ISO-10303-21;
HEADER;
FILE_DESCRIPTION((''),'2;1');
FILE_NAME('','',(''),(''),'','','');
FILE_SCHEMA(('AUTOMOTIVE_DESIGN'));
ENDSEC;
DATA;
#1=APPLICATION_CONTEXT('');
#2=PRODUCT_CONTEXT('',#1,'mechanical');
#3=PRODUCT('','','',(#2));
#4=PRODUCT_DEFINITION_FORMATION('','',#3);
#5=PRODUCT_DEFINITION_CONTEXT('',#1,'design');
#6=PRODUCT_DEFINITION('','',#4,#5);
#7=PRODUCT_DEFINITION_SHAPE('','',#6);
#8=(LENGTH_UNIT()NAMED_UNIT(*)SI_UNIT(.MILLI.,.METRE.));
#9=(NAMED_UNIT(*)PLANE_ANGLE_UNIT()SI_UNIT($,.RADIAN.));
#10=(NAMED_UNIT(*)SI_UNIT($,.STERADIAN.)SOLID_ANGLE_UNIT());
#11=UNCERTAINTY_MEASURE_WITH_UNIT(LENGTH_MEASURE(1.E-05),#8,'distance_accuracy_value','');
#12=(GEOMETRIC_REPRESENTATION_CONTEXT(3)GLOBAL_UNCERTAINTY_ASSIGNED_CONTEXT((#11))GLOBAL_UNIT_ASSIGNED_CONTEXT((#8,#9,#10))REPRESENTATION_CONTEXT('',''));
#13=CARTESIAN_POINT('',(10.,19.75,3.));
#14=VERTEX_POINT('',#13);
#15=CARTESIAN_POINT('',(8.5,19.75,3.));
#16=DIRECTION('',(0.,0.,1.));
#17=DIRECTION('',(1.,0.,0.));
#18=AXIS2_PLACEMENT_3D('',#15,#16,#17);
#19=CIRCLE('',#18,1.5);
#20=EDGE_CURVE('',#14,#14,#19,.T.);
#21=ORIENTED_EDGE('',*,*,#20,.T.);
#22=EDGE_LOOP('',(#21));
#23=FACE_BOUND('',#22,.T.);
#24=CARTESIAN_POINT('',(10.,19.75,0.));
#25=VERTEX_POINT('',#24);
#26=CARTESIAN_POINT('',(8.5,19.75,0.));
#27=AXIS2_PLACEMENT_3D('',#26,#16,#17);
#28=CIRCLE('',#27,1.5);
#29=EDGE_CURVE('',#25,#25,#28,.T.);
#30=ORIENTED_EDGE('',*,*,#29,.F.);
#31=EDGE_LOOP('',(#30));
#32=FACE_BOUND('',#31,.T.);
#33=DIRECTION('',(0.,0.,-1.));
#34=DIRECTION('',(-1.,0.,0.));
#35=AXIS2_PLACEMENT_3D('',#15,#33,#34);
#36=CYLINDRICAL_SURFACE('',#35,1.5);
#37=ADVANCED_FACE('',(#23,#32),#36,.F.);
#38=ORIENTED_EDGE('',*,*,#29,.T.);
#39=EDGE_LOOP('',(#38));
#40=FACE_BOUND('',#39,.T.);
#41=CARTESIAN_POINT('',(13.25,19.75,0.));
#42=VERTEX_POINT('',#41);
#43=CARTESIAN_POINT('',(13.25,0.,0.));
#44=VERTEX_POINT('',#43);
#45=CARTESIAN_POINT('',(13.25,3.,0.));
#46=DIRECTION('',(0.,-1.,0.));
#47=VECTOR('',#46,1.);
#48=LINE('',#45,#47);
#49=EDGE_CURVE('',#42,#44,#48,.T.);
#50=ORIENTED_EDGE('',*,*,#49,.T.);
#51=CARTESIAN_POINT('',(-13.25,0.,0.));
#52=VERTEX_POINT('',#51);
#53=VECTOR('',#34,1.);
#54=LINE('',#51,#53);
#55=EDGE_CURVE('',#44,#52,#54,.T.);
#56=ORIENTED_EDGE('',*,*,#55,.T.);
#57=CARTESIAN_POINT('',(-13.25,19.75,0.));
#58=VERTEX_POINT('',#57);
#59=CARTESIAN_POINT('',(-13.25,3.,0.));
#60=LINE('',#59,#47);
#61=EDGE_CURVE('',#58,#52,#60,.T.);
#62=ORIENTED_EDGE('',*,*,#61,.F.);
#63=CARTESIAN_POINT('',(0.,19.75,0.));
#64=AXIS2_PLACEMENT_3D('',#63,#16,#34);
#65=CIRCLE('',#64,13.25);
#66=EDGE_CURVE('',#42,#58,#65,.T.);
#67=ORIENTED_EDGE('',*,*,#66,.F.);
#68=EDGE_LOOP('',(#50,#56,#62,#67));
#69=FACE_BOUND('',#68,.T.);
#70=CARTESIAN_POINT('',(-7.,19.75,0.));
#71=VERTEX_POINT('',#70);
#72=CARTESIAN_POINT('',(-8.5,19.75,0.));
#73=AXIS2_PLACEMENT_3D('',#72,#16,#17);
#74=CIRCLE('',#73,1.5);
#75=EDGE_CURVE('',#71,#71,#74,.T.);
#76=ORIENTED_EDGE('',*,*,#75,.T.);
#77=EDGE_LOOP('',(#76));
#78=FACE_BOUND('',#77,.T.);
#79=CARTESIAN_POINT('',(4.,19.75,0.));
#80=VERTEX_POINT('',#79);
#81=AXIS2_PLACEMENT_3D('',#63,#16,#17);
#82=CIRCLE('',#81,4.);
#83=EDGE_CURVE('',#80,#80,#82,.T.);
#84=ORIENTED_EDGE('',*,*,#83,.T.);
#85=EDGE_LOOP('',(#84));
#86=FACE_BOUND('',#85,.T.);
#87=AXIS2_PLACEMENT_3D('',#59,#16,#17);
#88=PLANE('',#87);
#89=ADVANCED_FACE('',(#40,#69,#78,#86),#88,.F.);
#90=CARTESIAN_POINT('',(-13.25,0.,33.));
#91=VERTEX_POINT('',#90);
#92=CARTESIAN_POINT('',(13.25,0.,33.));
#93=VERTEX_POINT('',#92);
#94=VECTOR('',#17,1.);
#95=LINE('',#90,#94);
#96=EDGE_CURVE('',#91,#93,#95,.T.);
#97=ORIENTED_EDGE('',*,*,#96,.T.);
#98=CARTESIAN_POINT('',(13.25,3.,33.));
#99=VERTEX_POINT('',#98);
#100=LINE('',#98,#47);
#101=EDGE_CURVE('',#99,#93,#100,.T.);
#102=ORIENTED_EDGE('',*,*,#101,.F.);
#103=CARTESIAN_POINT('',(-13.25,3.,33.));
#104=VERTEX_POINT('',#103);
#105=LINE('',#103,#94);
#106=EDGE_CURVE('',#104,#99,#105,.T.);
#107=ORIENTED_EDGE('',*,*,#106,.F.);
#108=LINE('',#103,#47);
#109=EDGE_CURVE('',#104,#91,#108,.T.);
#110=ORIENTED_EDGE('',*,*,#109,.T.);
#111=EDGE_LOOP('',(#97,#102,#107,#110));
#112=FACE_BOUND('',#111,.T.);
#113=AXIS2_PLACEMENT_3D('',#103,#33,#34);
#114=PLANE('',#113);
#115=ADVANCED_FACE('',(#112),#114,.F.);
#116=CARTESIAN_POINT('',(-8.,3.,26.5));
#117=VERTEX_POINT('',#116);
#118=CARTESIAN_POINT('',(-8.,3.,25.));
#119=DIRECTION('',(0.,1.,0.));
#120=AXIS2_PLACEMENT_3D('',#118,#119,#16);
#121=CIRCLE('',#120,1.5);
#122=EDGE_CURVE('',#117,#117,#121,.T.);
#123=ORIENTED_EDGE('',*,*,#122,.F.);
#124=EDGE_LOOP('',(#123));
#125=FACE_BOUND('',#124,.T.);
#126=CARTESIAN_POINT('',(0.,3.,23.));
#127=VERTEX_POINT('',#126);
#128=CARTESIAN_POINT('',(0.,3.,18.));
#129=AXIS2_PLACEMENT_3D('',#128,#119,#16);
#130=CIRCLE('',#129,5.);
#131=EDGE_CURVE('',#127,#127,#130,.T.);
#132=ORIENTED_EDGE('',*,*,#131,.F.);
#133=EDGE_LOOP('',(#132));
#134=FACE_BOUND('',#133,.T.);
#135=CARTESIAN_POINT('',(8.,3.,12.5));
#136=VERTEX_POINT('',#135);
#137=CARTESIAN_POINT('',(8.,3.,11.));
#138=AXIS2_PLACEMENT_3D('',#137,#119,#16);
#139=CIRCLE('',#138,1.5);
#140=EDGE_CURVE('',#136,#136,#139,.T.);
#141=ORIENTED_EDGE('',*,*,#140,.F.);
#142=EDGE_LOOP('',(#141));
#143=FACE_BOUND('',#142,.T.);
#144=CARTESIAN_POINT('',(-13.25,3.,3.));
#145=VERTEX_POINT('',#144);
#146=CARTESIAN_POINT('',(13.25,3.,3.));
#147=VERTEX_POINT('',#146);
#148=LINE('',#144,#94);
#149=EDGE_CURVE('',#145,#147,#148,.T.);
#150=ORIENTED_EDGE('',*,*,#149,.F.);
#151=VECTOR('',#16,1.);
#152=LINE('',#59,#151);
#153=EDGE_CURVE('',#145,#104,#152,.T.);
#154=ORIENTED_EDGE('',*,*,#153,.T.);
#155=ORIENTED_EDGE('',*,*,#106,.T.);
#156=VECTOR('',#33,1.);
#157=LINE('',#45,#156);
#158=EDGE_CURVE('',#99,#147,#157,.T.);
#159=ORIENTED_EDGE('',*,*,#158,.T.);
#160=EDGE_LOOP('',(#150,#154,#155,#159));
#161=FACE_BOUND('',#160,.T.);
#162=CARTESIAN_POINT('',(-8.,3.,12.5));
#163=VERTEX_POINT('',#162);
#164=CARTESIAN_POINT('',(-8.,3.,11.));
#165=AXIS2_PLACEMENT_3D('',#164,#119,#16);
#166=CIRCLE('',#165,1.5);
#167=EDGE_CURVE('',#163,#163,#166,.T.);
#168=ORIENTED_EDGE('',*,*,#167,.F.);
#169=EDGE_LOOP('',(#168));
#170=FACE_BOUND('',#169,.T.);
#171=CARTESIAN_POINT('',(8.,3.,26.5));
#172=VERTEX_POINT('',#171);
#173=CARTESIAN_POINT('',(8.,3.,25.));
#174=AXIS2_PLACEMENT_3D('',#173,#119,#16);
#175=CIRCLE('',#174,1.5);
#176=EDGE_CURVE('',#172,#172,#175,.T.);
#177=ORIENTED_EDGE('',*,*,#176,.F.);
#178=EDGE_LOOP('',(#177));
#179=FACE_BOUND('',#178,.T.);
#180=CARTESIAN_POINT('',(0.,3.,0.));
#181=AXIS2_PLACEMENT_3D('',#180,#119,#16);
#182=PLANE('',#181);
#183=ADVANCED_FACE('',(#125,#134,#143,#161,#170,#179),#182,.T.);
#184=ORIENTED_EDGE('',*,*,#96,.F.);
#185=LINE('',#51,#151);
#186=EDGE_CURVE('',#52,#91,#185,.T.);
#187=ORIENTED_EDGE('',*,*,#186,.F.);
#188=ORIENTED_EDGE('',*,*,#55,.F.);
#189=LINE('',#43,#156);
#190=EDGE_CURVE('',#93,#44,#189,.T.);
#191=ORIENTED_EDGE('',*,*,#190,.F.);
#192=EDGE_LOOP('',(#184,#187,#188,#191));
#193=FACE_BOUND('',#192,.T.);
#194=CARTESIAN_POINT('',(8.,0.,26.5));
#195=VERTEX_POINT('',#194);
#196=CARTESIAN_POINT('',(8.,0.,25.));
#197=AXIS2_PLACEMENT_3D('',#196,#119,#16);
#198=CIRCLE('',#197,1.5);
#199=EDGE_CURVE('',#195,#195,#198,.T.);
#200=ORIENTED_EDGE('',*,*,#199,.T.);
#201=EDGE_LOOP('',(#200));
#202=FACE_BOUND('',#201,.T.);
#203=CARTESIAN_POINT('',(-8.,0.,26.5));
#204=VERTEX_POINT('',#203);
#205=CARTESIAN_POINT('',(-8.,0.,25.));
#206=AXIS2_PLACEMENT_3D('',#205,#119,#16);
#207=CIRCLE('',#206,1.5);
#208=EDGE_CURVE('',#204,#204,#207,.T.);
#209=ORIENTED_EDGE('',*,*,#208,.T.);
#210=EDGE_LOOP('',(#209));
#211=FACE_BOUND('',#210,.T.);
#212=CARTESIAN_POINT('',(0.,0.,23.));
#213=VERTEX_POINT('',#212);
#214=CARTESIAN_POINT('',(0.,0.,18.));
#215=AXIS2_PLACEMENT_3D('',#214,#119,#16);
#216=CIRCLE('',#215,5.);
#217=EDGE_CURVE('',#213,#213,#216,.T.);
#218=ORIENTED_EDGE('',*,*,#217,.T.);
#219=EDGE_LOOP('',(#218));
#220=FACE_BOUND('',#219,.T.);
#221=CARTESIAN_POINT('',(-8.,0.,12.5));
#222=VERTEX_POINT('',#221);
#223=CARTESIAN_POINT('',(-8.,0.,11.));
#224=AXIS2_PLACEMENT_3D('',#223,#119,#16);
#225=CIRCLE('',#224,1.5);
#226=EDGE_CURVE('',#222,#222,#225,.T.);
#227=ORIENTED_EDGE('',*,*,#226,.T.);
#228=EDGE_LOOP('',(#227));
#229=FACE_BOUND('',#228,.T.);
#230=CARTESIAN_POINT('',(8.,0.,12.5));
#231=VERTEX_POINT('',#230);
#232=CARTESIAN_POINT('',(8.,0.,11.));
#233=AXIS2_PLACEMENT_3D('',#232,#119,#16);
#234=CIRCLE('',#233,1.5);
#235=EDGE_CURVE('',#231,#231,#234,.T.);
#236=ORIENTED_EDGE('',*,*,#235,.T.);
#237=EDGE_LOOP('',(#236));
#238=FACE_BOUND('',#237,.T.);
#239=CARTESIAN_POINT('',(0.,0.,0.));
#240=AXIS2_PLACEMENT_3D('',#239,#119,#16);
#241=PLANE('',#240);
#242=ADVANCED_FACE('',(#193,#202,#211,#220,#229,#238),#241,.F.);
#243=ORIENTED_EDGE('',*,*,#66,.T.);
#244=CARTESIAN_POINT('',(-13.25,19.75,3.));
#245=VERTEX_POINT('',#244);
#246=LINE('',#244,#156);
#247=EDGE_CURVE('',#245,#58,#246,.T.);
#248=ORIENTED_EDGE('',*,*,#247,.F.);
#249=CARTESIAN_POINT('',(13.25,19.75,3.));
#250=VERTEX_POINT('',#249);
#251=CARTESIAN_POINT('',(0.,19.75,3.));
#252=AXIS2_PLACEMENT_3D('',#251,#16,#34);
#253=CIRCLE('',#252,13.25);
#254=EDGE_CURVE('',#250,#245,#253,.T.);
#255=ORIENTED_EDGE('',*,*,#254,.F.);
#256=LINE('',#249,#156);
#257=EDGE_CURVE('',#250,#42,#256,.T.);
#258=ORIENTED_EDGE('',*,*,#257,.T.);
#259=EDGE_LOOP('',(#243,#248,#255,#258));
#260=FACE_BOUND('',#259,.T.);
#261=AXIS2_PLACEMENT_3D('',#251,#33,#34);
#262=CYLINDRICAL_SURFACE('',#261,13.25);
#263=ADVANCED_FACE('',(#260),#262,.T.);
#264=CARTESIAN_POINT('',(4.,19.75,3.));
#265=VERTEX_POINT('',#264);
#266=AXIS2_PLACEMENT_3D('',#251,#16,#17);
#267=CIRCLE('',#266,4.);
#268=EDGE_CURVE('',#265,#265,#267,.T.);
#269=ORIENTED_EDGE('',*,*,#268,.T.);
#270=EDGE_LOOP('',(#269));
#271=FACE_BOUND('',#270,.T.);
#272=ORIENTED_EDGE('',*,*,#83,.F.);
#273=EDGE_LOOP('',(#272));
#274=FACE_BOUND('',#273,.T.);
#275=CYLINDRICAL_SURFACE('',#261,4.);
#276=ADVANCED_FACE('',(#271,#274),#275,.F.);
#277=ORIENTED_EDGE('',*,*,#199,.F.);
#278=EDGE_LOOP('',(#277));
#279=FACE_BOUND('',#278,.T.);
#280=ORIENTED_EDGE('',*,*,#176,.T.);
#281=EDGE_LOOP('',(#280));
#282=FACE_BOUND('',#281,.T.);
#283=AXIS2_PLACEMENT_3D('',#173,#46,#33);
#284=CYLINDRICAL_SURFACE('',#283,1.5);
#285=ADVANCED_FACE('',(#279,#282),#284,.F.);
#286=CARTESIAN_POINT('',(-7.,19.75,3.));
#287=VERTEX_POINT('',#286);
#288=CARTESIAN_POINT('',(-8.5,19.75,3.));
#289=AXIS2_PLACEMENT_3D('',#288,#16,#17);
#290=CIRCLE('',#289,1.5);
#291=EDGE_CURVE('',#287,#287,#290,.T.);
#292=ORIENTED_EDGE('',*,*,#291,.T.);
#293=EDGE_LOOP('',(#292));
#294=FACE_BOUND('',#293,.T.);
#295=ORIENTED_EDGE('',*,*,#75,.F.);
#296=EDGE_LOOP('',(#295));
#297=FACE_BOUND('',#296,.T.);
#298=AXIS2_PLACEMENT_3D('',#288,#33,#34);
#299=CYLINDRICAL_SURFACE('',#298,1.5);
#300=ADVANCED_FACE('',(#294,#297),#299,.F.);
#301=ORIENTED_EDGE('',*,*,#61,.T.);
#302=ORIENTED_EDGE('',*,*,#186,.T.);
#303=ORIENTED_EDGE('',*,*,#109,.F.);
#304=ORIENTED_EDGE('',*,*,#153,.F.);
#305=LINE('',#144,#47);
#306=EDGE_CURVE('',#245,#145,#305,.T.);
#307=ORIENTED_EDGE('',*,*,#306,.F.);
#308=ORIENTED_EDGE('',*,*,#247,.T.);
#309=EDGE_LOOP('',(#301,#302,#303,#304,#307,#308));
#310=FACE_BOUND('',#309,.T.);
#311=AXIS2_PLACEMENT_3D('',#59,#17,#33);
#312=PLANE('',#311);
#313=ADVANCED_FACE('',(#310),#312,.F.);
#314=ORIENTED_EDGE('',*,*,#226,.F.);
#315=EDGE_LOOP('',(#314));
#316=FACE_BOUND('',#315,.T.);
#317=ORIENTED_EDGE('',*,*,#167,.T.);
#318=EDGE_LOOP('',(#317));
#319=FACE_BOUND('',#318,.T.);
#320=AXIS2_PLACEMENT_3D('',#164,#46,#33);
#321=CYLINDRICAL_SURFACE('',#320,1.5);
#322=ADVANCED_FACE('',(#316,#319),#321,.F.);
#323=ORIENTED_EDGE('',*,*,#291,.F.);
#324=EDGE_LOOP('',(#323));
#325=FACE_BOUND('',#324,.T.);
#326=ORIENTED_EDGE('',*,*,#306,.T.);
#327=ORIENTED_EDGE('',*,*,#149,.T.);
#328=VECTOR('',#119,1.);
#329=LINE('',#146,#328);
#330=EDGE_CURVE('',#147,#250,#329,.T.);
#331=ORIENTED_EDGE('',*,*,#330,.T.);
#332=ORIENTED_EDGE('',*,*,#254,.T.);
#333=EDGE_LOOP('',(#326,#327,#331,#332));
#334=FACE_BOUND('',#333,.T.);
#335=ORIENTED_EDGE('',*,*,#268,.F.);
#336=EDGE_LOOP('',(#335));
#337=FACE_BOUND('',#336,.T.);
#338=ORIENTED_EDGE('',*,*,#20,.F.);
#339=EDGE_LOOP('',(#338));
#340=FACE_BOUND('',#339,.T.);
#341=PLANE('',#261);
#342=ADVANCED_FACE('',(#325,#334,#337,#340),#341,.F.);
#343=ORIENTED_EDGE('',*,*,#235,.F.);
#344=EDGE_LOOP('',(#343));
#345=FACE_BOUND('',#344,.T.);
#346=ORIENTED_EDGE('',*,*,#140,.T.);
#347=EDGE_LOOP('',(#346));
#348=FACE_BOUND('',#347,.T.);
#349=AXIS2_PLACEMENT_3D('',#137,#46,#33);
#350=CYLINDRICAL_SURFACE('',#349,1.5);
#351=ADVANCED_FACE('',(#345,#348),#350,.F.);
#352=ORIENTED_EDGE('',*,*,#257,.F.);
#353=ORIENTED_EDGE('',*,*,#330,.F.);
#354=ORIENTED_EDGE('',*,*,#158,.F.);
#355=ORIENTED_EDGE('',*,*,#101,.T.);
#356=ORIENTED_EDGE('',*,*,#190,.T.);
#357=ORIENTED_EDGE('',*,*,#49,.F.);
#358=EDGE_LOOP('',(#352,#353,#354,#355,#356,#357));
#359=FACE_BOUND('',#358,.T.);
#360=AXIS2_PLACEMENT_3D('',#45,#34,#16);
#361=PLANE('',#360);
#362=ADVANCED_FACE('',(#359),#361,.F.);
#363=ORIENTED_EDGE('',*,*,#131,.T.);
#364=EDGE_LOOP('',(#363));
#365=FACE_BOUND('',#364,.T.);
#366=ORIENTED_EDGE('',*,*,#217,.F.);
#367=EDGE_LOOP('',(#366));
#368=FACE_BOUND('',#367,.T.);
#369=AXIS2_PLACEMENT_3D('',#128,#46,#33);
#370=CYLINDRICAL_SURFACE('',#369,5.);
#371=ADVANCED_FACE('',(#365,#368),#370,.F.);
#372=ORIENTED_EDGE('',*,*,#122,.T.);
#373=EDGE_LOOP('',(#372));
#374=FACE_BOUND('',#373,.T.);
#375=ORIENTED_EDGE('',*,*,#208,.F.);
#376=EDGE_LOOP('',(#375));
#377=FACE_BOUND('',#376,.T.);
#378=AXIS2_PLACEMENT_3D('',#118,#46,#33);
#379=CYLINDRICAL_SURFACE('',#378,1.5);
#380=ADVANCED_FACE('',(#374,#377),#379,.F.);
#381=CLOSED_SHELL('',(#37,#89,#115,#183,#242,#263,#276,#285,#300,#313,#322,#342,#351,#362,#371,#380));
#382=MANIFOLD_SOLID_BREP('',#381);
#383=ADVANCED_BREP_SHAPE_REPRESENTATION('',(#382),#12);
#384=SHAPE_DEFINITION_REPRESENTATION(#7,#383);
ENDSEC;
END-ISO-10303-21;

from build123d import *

# Parameters (mm, degrees)
SKETCH_1_W      = 26.5
SKETCH_1_H      = 33
SKETCH_1_R      = 5
SKETCH_1_R_2    = 1.5
EXTRUDE_1_DEPTH = 3
SKETCH_2_R      = 4
SKETCH_2_R_2    = 1.5
EXTRUDE_2_DEPTH = 3


with BuildPart() as part:
    # 草图1 → 凸台-拉伸1 (new body)
    with BuildSketch(Plane(origin=(0, 0, 0), x_dir=(1, 0, 0), z_dir=(0, 1, 0))):
        with Locations((0, -16.5)):
            Rectangle(SKETCH_1_W, SKETCH_1_H)
        with Locations(Location((0, -18, 0), (0, 0, 270))):
            Circle(SKETCH_1_R, mode=Mode.SUBTRACT)
        with Locations(Location((-8, -11, 0), (0, 0, 270))):
            Circle(SKETCH_1_R_2, mode=Mode.SUBTRACT)
        with Locations(Location((8, -11, 0), (0, 0, 270))):
            Circle(SKETCH_1_R_2, mode=Mode.SUBTRACT)
        with Locations(Location((-8, -25, 0), (0, 0, 270))):
            Circle(SKETCH_1_R_2, mode=Mode.SUBTRACT)
        with Locations(Location((8, -25, 0), (0, 0, 270))):
            Circle(SKETCH_1_R_2, mode=Mode.SUBTRACT)
    extrude(amount=EXTRUDE_1_DEPTH)

    # 草图2 → 凸台-拉伸2 (add)
    with BuildSketch(Plane.XY):
        with BuildLine():
            Line((-13.25, 3), (-13.25, 19.75))
            ThreePointArc((-13.25, 19.75), (0, 33), (13.25, 19.75))
            Line((13.25, 19.75), (13.25, 3))
            Line((13.25, 3), (-13.25, 3))
        make_face()
        with Locations((0, 19.75)):
            Circle(SKETCH_2_R, mode=Mode.SUBTRACT)
        with Locations((-8.5, 19.75)):
            Circle(SKETCH_2_R_2, mode=Mode.SUBTRACT)
        with Locations((8.5, 19.75)):
            Circle(SKETCH_2_R_2, mode=Mode.SUBTRACT)
    extrude(amount=EXTRUDE_2_DEPTH)


solid = part.part
